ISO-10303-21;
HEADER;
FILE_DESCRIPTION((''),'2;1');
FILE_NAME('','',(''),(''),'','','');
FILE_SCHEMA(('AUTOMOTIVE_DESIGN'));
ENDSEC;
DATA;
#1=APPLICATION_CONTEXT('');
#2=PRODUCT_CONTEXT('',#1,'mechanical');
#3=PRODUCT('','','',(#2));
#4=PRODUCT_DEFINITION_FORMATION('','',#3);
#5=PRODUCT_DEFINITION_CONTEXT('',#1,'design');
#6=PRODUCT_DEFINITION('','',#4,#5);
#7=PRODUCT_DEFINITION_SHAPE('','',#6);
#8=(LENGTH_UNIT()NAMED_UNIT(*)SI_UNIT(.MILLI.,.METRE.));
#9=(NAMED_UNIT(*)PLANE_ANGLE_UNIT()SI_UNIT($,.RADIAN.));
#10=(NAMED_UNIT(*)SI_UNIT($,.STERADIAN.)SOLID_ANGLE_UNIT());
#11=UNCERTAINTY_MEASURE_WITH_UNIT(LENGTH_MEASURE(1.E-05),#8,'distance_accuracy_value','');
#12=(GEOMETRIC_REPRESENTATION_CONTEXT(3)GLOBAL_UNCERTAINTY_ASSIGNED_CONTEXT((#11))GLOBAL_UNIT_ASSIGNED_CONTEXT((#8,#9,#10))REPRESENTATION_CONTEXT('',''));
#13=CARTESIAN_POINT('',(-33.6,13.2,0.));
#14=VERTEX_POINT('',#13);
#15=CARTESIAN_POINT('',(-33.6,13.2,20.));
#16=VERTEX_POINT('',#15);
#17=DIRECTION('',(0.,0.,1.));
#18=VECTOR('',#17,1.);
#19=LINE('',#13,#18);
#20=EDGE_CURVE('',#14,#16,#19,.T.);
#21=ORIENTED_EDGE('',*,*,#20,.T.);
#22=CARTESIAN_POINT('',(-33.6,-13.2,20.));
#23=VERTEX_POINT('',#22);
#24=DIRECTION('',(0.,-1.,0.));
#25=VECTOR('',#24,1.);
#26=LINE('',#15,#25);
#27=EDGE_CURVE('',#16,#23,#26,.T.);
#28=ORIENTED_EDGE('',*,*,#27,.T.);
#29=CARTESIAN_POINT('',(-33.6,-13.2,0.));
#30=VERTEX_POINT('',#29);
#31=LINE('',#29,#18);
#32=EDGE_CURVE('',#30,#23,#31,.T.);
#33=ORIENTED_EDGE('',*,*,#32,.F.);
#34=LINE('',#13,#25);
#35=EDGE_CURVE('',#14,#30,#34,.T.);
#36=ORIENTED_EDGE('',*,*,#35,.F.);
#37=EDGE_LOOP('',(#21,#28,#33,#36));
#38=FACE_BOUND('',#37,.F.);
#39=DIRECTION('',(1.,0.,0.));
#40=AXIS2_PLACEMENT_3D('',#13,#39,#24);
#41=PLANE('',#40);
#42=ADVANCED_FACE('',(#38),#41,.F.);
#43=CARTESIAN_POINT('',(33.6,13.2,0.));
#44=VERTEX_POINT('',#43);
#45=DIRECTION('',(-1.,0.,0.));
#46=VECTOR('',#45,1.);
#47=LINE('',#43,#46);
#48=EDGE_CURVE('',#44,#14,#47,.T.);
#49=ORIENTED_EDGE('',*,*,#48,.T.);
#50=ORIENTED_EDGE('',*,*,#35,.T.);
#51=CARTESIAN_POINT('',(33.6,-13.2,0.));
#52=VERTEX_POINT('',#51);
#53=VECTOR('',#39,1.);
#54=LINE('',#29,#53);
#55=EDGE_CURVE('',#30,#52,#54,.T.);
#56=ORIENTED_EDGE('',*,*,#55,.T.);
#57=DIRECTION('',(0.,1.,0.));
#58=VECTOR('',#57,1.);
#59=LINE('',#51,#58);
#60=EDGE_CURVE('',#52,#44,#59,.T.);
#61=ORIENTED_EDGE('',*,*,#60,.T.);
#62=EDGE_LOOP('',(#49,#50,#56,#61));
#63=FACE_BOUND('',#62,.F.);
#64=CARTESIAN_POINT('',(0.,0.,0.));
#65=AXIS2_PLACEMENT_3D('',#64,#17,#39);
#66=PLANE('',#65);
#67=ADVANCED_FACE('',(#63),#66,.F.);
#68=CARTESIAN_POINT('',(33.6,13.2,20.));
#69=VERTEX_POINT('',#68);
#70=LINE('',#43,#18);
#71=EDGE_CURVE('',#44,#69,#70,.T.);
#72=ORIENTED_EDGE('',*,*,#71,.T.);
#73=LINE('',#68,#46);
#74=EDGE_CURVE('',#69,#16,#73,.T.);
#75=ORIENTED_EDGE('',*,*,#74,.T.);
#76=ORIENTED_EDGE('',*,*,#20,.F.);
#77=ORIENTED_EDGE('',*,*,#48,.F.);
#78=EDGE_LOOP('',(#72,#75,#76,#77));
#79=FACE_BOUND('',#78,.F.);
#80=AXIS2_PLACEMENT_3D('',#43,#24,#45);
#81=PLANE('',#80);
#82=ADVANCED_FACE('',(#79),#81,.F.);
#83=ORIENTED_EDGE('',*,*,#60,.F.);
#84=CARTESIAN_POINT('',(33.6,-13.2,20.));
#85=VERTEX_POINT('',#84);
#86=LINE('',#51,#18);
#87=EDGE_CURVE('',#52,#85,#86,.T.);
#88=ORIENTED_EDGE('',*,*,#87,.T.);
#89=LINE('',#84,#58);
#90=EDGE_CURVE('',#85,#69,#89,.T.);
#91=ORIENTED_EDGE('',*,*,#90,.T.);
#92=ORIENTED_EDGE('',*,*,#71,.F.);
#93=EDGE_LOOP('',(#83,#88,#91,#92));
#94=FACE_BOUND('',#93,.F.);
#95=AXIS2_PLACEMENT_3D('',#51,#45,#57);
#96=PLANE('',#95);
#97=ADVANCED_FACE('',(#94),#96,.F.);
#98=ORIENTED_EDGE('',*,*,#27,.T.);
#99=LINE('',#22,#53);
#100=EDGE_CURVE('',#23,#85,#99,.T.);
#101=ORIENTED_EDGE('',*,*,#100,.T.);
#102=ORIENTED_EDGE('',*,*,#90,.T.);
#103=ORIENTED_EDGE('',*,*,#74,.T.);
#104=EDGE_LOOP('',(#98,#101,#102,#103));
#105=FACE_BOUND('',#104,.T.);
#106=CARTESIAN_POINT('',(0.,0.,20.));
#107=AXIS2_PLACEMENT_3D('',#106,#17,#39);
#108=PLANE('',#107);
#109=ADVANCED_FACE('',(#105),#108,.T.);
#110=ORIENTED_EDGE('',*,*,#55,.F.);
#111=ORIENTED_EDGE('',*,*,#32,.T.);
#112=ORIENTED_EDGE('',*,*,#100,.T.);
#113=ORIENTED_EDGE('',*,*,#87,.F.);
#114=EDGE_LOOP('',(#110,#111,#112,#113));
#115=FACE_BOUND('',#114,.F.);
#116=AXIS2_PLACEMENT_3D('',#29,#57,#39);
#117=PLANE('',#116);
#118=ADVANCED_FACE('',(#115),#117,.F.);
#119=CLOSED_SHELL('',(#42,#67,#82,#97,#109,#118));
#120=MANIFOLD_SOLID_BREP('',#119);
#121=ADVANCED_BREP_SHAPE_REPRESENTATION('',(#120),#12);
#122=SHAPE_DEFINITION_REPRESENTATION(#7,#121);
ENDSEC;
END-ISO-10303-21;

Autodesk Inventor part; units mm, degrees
ref_plane "YZ Plane" through (0, 0, 0) normal (1, 0, 0) x (0, 1, 0)
ref_plane "XZ Plane" through (0, 0, 0) normal (0, 1, 0) x (-1, 0, 0)
ref_plane "XY Plane" through (0, 0, 0) normal (0, 0, 1) x (1, 0, 0)
sketch "Sketch1" plane through (0, 0, 0) normal (0, 0, 1) x (1, 0, 0)
  line L0 (-33.6, -13.2) -> (33.6, -13.2)
  line L1 (33.6, -13.2) -> (33.6, 13.2)
  line L2 (33.6, 13.2) -> (-33.6, 13.2)
  line L3 (-33.6, 13.2) -> (-33.6, -13.2)
  line L4 (-33.6, -13.2) -> (33.6, 13.2) construction
  line L5 (33.6, -13.2) -> (-33.6, 13.2) construction
  point P0 (0, 0)
  dimension "d0" = 67.2
  dimension "d1" = 26.4
extrude "Extrusion1" add sketch "Sketch1" along normal blind 20
equation "\"d0\" = thermisterLength"
equation "\"d1\" = thermisterWidth"
equation "\"d2\" = thermisterDepth"
equation "\"thermisterWidth\" = 26.4"
equation "\"thermisterLength\" = 67.2"
equation "\"thermisterDepth\" = 20"
properties part number "thermister"
